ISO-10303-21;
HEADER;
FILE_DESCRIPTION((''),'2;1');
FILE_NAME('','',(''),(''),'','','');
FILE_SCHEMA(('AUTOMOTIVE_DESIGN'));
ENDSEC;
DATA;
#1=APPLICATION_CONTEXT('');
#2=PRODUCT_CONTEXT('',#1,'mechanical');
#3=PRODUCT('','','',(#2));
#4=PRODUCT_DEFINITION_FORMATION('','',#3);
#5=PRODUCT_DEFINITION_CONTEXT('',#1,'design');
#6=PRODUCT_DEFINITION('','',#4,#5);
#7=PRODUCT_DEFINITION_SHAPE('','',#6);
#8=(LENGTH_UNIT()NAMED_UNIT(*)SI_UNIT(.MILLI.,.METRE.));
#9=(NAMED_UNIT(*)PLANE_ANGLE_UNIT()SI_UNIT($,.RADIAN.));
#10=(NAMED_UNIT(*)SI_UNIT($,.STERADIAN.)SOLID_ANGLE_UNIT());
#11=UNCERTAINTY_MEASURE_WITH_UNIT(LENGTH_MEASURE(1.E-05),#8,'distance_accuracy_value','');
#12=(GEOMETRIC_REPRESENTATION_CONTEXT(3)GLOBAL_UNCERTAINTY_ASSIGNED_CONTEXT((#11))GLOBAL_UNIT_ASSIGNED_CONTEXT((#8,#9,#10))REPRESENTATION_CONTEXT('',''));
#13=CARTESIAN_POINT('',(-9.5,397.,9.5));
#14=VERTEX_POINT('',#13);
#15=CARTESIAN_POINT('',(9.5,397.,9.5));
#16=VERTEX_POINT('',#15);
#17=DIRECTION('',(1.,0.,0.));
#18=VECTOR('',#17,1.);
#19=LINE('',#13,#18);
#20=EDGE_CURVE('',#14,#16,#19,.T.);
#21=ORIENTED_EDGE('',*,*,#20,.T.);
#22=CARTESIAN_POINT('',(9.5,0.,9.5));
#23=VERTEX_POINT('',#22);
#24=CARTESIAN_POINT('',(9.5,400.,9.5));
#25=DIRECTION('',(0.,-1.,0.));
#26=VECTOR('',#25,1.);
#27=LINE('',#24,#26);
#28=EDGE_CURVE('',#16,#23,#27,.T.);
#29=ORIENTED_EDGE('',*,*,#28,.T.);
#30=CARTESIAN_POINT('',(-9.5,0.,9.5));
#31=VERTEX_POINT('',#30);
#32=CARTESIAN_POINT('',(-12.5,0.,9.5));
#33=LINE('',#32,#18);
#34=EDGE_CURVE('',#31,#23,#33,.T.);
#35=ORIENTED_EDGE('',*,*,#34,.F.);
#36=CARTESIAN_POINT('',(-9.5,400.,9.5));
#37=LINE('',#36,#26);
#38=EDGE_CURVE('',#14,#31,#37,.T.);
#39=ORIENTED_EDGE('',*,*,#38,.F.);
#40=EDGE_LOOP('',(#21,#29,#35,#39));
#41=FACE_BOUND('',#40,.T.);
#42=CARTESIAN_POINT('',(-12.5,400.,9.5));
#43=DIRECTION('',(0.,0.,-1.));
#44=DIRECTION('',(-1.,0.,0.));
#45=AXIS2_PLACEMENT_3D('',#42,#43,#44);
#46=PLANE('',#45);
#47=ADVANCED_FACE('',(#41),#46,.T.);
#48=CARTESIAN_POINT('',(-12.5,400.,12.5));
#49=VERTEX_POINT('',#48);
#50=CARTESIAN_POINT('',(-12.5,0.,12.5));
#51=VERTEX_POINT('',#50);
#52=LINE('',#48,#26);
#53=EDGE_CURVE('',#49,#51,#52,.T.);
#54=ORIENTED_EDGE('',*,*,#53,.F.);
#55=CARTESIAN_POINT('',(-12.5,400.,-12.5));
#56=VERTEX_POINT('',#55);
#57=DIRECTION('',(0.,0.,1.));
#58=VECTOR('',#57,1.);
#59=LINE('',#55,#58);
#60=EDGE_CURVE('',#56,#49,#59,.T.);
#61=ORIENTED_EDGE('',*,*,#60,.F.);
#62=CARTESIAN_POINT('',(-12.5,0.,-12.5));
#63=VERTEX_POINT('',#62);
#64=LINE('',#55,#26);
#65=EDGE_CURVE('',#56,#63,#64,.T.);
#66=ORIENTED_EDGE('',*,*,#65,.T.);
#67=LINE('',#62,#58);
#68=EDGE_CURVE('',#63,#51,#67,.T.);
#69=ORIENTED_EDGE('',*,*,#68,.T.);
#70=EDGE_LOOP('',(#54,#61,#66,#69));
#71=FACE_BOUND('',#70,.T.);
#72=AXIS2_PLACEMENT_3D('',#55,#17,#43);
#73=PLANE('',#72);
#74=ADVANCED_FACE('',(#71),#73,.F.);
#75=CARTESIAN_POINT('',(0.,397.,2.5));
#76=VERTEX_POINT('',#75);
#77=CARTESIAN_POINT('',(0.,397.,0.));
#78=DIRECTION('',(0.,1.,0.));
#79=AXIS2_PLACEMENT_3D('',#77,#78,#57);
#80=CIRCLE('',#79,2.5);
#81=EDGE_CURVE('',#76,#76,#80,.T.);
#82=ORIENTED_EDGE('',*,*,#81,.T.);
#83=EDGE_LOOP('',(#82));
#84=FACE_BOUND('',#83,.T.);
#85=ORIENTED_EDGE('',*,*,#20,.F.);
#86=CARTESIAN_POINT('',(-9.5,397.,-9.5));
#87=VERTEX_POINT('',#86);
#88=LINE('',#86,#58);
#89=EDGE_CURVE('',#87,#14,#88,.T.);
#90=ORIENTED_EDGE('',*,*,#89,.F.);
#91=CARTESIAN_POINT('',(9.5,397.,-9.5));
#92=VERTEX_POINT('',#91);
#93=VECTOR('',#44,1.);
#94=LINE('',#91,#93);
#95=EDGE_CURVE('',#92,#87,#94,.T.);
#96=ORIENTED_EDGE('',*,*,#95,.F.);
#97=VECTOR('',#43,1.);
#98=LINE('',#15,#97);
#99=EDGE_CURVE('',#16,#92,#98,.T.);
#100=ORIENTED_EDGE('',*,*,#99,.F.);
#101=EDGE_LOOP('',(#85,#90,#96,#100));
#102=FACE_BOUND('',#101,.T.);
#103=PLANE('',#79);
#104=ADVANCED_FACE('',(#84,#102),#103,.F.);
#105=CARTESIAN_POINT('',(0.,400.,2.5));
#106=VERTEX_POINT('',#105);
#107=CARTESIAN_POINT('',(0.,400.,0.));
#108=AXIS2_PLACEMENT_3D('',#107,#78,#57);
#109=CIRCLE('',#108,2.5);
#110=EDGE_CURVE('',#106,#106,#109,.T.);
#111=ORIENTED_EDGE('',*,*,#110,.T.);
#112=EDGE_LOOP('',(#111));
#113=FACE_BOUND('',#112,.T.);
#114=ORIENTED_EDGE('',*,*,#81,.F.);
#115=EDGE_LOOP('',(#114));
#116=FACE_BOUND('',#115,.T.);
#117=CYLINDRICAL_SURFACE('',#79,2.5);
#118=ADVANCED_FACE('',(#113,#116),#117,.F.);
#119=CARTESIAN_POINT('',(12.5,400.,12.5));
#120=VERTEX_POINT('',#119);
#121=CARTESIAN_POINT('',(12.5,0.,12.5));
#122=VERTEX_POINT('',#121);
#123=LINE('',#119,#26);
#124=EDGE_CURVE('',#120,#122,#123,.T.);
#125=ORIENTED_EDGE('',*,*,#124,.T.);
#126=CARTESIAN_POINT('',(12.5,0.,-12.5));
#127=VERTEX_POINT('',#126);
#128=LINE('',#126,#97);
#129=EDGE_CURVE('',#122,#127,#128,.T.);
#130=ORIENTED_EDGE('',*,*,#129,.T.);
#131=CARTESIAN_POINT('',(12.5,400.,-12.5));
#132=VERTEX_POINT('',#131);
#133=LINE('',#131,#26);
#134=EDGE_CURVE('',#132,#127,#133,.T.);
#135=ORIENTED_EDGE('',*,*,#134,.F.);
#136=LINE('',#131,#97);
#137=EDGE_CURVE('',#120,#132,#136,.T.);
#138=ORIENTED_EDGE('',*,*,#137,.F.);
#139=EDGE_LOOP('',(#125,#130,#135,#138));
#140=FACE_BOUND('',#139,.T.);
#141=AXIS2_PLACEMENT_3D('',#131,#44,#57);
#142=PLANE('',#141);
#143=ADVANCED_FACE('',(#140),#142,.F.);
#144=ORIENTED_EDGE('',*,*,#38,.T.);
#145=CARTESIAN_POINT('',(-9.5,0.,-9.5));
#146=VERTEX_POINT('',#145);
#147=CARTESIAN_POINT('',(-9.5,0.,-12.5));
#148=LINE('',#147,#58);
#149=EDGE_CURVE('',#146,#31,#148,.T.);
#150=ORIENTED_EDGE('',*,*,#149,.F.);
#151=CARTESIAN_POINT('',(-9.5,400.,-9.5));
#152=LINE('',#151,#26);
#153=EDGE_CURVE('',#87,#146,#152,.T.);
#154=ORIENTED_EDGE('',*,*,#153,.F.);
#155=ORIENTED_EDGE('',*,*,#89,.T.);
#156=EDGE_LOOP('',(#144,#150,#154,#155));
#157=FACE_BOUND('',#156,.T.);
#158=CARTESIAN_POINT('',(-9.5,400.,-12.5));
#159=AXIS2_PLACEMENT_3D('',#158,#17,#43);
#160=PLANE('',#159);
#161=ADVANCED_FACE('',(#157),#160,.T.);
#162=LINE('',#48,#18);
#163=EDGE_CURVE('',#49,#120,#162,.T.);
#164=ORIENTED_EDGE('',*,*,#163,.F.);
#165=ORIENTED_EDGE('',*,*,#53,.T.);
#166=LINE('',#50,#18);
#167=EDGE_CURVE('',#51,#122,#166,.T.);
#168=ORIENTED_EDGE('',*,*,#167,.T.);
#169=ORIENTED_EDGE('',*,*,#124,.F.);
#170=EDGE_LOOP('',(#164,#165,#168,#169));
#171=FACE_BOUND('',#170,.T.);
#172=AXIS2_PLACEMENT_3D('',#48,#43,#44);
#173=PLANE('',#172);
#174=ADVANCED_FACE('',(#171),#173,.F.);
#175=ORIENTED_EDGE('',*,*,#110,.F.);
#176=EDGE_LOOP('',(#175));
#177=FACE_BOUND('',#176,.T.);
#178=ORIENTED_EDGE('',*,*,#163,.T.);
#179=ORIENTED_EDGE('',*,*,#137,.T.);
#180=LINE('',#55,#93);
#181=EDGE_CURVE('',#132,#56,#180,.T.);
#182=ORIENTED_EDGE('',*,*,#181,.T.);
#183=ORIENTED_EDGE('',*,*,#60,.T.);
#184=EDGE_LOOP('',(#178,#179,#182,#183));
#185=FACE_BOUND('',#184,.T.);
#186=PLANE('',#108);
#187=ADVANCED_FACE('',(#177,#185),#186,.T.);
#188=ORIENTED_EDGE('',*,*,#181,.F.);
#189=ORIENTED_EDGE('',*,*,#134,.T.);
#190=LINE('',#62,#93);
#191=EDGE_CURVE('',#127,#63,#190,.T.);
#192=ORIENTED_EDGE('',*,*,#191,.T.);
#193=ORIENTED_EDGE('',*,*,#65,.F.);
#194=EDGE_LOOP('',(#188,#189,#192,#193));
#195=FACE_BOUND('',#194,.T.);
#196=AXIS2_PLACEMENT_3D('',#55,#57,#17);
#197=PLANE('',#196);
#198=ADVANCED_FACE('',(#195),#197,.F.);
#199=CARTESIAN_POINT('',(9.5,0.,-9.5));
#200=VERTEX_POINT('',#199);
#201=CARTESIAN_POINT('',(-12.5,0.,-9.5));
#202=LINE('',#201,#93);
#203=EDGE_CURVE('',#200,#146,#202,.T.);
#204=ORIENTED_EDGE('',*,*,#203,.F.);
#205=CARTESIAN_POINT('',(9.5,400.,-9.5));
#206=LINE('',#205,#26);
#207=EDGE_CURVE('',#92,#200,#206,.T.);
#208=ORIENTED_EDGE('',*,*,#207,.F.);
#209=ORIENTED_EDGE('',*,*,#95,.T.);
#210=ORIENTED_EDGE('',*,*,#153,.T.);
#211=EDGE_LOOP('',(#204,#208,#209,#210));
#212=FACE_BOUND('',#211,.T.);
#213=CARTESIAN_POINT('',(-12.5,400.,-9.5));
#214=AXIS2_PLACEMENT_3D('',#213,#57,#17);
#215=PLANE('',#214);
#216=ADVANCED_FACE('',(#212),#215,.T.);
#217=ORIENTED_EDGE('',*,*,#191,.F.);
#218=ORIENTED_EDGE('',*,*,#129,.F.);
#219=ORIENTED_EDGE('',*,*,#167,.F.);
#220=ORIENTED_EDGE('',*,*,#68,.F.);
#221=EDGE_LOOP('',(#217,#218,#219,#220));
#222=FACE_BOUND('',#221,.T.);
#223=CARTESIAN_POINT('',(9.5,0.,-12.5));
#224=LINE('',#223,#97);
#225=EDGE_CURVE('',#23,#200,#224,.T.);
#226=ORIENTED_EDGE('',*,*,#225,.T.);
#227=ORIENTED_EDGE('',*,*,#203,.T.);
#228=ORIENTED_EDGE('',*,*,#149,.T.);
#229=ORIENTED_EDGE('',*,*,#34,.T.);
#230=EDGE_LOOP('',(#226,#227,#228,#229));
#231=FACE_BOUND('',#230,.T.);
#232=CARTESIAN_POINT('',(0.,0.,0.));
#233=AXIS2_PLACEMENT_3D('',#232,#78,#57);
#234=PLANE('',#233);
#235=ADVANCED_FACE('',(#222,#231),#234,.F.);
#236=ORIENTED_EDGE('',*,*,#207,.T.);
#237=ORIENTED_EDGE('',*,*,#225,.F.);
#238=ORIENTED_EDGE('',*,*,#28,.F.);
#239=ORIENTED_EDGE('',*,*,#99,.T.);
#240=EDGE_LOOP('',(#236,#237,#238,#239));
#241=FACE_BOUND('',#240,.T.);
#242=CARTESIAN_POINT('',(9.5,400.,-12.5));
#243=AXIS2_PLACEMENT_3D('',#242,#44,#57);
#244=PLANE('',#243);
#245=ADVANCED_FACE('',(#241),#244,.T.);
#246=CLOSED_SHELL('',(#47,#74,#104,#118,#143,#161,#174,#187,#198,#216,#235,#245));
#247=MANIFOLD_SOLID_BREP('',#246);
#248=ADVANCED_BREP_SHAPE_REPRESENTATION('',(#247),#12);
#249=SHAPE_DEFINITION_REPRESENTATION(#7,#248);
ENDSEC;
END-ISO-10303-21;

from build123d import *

# Parameters (mm, degrees)
SKETCH1_W           = 25
SKETCH1_H           = 25
BOSS_EXTRUDE1_DEPTH = 400
SHELL1_T            = -3
SKETCH2_W           = 19
SKETCH2_H           = 19
SKETCH2_R           = 2.5
BOSS_EXTRUDE2_DEPTH = 3


with BuildPart() as part:
    # Sketch1 → Boss-Extrude1 (new body)
    with BuildSketch(Plane(origin=(0, 0, 0), x_dir=(1, 0, 0), z_dir=(0, 1, 0))):
        Rectangle(SKETCH1_W, SKETCH1_H)
    extrude(amount=BOSS_EXTRUDE1_DEPTH)

    # Shell1
    shell1_openings = [part.faces().sort_by_distance(p)[0] for p in [
        (0, 400, 0),
        (0, 0, 0),
    ]]
    offset(amount=SHELL1_T, openings=shell1_openings, kind=Kind.INTERSECTION)

    # Sketch2 → Boss-Extrude2 (add)
    with BuildSketch(Plane(origin=(0, 400, 0), x_dir=(1, 0, 0), z_dir=(0, 1, 0))):
        Rectangle(SKETCH2_W, SKETCH2_H)
        Circle(SKETCH2_R, mode=Mode.SUBTRACT)
    extrude(amount=-BOSS_EXTRUDE2_DEPTH)


solid = part.part
